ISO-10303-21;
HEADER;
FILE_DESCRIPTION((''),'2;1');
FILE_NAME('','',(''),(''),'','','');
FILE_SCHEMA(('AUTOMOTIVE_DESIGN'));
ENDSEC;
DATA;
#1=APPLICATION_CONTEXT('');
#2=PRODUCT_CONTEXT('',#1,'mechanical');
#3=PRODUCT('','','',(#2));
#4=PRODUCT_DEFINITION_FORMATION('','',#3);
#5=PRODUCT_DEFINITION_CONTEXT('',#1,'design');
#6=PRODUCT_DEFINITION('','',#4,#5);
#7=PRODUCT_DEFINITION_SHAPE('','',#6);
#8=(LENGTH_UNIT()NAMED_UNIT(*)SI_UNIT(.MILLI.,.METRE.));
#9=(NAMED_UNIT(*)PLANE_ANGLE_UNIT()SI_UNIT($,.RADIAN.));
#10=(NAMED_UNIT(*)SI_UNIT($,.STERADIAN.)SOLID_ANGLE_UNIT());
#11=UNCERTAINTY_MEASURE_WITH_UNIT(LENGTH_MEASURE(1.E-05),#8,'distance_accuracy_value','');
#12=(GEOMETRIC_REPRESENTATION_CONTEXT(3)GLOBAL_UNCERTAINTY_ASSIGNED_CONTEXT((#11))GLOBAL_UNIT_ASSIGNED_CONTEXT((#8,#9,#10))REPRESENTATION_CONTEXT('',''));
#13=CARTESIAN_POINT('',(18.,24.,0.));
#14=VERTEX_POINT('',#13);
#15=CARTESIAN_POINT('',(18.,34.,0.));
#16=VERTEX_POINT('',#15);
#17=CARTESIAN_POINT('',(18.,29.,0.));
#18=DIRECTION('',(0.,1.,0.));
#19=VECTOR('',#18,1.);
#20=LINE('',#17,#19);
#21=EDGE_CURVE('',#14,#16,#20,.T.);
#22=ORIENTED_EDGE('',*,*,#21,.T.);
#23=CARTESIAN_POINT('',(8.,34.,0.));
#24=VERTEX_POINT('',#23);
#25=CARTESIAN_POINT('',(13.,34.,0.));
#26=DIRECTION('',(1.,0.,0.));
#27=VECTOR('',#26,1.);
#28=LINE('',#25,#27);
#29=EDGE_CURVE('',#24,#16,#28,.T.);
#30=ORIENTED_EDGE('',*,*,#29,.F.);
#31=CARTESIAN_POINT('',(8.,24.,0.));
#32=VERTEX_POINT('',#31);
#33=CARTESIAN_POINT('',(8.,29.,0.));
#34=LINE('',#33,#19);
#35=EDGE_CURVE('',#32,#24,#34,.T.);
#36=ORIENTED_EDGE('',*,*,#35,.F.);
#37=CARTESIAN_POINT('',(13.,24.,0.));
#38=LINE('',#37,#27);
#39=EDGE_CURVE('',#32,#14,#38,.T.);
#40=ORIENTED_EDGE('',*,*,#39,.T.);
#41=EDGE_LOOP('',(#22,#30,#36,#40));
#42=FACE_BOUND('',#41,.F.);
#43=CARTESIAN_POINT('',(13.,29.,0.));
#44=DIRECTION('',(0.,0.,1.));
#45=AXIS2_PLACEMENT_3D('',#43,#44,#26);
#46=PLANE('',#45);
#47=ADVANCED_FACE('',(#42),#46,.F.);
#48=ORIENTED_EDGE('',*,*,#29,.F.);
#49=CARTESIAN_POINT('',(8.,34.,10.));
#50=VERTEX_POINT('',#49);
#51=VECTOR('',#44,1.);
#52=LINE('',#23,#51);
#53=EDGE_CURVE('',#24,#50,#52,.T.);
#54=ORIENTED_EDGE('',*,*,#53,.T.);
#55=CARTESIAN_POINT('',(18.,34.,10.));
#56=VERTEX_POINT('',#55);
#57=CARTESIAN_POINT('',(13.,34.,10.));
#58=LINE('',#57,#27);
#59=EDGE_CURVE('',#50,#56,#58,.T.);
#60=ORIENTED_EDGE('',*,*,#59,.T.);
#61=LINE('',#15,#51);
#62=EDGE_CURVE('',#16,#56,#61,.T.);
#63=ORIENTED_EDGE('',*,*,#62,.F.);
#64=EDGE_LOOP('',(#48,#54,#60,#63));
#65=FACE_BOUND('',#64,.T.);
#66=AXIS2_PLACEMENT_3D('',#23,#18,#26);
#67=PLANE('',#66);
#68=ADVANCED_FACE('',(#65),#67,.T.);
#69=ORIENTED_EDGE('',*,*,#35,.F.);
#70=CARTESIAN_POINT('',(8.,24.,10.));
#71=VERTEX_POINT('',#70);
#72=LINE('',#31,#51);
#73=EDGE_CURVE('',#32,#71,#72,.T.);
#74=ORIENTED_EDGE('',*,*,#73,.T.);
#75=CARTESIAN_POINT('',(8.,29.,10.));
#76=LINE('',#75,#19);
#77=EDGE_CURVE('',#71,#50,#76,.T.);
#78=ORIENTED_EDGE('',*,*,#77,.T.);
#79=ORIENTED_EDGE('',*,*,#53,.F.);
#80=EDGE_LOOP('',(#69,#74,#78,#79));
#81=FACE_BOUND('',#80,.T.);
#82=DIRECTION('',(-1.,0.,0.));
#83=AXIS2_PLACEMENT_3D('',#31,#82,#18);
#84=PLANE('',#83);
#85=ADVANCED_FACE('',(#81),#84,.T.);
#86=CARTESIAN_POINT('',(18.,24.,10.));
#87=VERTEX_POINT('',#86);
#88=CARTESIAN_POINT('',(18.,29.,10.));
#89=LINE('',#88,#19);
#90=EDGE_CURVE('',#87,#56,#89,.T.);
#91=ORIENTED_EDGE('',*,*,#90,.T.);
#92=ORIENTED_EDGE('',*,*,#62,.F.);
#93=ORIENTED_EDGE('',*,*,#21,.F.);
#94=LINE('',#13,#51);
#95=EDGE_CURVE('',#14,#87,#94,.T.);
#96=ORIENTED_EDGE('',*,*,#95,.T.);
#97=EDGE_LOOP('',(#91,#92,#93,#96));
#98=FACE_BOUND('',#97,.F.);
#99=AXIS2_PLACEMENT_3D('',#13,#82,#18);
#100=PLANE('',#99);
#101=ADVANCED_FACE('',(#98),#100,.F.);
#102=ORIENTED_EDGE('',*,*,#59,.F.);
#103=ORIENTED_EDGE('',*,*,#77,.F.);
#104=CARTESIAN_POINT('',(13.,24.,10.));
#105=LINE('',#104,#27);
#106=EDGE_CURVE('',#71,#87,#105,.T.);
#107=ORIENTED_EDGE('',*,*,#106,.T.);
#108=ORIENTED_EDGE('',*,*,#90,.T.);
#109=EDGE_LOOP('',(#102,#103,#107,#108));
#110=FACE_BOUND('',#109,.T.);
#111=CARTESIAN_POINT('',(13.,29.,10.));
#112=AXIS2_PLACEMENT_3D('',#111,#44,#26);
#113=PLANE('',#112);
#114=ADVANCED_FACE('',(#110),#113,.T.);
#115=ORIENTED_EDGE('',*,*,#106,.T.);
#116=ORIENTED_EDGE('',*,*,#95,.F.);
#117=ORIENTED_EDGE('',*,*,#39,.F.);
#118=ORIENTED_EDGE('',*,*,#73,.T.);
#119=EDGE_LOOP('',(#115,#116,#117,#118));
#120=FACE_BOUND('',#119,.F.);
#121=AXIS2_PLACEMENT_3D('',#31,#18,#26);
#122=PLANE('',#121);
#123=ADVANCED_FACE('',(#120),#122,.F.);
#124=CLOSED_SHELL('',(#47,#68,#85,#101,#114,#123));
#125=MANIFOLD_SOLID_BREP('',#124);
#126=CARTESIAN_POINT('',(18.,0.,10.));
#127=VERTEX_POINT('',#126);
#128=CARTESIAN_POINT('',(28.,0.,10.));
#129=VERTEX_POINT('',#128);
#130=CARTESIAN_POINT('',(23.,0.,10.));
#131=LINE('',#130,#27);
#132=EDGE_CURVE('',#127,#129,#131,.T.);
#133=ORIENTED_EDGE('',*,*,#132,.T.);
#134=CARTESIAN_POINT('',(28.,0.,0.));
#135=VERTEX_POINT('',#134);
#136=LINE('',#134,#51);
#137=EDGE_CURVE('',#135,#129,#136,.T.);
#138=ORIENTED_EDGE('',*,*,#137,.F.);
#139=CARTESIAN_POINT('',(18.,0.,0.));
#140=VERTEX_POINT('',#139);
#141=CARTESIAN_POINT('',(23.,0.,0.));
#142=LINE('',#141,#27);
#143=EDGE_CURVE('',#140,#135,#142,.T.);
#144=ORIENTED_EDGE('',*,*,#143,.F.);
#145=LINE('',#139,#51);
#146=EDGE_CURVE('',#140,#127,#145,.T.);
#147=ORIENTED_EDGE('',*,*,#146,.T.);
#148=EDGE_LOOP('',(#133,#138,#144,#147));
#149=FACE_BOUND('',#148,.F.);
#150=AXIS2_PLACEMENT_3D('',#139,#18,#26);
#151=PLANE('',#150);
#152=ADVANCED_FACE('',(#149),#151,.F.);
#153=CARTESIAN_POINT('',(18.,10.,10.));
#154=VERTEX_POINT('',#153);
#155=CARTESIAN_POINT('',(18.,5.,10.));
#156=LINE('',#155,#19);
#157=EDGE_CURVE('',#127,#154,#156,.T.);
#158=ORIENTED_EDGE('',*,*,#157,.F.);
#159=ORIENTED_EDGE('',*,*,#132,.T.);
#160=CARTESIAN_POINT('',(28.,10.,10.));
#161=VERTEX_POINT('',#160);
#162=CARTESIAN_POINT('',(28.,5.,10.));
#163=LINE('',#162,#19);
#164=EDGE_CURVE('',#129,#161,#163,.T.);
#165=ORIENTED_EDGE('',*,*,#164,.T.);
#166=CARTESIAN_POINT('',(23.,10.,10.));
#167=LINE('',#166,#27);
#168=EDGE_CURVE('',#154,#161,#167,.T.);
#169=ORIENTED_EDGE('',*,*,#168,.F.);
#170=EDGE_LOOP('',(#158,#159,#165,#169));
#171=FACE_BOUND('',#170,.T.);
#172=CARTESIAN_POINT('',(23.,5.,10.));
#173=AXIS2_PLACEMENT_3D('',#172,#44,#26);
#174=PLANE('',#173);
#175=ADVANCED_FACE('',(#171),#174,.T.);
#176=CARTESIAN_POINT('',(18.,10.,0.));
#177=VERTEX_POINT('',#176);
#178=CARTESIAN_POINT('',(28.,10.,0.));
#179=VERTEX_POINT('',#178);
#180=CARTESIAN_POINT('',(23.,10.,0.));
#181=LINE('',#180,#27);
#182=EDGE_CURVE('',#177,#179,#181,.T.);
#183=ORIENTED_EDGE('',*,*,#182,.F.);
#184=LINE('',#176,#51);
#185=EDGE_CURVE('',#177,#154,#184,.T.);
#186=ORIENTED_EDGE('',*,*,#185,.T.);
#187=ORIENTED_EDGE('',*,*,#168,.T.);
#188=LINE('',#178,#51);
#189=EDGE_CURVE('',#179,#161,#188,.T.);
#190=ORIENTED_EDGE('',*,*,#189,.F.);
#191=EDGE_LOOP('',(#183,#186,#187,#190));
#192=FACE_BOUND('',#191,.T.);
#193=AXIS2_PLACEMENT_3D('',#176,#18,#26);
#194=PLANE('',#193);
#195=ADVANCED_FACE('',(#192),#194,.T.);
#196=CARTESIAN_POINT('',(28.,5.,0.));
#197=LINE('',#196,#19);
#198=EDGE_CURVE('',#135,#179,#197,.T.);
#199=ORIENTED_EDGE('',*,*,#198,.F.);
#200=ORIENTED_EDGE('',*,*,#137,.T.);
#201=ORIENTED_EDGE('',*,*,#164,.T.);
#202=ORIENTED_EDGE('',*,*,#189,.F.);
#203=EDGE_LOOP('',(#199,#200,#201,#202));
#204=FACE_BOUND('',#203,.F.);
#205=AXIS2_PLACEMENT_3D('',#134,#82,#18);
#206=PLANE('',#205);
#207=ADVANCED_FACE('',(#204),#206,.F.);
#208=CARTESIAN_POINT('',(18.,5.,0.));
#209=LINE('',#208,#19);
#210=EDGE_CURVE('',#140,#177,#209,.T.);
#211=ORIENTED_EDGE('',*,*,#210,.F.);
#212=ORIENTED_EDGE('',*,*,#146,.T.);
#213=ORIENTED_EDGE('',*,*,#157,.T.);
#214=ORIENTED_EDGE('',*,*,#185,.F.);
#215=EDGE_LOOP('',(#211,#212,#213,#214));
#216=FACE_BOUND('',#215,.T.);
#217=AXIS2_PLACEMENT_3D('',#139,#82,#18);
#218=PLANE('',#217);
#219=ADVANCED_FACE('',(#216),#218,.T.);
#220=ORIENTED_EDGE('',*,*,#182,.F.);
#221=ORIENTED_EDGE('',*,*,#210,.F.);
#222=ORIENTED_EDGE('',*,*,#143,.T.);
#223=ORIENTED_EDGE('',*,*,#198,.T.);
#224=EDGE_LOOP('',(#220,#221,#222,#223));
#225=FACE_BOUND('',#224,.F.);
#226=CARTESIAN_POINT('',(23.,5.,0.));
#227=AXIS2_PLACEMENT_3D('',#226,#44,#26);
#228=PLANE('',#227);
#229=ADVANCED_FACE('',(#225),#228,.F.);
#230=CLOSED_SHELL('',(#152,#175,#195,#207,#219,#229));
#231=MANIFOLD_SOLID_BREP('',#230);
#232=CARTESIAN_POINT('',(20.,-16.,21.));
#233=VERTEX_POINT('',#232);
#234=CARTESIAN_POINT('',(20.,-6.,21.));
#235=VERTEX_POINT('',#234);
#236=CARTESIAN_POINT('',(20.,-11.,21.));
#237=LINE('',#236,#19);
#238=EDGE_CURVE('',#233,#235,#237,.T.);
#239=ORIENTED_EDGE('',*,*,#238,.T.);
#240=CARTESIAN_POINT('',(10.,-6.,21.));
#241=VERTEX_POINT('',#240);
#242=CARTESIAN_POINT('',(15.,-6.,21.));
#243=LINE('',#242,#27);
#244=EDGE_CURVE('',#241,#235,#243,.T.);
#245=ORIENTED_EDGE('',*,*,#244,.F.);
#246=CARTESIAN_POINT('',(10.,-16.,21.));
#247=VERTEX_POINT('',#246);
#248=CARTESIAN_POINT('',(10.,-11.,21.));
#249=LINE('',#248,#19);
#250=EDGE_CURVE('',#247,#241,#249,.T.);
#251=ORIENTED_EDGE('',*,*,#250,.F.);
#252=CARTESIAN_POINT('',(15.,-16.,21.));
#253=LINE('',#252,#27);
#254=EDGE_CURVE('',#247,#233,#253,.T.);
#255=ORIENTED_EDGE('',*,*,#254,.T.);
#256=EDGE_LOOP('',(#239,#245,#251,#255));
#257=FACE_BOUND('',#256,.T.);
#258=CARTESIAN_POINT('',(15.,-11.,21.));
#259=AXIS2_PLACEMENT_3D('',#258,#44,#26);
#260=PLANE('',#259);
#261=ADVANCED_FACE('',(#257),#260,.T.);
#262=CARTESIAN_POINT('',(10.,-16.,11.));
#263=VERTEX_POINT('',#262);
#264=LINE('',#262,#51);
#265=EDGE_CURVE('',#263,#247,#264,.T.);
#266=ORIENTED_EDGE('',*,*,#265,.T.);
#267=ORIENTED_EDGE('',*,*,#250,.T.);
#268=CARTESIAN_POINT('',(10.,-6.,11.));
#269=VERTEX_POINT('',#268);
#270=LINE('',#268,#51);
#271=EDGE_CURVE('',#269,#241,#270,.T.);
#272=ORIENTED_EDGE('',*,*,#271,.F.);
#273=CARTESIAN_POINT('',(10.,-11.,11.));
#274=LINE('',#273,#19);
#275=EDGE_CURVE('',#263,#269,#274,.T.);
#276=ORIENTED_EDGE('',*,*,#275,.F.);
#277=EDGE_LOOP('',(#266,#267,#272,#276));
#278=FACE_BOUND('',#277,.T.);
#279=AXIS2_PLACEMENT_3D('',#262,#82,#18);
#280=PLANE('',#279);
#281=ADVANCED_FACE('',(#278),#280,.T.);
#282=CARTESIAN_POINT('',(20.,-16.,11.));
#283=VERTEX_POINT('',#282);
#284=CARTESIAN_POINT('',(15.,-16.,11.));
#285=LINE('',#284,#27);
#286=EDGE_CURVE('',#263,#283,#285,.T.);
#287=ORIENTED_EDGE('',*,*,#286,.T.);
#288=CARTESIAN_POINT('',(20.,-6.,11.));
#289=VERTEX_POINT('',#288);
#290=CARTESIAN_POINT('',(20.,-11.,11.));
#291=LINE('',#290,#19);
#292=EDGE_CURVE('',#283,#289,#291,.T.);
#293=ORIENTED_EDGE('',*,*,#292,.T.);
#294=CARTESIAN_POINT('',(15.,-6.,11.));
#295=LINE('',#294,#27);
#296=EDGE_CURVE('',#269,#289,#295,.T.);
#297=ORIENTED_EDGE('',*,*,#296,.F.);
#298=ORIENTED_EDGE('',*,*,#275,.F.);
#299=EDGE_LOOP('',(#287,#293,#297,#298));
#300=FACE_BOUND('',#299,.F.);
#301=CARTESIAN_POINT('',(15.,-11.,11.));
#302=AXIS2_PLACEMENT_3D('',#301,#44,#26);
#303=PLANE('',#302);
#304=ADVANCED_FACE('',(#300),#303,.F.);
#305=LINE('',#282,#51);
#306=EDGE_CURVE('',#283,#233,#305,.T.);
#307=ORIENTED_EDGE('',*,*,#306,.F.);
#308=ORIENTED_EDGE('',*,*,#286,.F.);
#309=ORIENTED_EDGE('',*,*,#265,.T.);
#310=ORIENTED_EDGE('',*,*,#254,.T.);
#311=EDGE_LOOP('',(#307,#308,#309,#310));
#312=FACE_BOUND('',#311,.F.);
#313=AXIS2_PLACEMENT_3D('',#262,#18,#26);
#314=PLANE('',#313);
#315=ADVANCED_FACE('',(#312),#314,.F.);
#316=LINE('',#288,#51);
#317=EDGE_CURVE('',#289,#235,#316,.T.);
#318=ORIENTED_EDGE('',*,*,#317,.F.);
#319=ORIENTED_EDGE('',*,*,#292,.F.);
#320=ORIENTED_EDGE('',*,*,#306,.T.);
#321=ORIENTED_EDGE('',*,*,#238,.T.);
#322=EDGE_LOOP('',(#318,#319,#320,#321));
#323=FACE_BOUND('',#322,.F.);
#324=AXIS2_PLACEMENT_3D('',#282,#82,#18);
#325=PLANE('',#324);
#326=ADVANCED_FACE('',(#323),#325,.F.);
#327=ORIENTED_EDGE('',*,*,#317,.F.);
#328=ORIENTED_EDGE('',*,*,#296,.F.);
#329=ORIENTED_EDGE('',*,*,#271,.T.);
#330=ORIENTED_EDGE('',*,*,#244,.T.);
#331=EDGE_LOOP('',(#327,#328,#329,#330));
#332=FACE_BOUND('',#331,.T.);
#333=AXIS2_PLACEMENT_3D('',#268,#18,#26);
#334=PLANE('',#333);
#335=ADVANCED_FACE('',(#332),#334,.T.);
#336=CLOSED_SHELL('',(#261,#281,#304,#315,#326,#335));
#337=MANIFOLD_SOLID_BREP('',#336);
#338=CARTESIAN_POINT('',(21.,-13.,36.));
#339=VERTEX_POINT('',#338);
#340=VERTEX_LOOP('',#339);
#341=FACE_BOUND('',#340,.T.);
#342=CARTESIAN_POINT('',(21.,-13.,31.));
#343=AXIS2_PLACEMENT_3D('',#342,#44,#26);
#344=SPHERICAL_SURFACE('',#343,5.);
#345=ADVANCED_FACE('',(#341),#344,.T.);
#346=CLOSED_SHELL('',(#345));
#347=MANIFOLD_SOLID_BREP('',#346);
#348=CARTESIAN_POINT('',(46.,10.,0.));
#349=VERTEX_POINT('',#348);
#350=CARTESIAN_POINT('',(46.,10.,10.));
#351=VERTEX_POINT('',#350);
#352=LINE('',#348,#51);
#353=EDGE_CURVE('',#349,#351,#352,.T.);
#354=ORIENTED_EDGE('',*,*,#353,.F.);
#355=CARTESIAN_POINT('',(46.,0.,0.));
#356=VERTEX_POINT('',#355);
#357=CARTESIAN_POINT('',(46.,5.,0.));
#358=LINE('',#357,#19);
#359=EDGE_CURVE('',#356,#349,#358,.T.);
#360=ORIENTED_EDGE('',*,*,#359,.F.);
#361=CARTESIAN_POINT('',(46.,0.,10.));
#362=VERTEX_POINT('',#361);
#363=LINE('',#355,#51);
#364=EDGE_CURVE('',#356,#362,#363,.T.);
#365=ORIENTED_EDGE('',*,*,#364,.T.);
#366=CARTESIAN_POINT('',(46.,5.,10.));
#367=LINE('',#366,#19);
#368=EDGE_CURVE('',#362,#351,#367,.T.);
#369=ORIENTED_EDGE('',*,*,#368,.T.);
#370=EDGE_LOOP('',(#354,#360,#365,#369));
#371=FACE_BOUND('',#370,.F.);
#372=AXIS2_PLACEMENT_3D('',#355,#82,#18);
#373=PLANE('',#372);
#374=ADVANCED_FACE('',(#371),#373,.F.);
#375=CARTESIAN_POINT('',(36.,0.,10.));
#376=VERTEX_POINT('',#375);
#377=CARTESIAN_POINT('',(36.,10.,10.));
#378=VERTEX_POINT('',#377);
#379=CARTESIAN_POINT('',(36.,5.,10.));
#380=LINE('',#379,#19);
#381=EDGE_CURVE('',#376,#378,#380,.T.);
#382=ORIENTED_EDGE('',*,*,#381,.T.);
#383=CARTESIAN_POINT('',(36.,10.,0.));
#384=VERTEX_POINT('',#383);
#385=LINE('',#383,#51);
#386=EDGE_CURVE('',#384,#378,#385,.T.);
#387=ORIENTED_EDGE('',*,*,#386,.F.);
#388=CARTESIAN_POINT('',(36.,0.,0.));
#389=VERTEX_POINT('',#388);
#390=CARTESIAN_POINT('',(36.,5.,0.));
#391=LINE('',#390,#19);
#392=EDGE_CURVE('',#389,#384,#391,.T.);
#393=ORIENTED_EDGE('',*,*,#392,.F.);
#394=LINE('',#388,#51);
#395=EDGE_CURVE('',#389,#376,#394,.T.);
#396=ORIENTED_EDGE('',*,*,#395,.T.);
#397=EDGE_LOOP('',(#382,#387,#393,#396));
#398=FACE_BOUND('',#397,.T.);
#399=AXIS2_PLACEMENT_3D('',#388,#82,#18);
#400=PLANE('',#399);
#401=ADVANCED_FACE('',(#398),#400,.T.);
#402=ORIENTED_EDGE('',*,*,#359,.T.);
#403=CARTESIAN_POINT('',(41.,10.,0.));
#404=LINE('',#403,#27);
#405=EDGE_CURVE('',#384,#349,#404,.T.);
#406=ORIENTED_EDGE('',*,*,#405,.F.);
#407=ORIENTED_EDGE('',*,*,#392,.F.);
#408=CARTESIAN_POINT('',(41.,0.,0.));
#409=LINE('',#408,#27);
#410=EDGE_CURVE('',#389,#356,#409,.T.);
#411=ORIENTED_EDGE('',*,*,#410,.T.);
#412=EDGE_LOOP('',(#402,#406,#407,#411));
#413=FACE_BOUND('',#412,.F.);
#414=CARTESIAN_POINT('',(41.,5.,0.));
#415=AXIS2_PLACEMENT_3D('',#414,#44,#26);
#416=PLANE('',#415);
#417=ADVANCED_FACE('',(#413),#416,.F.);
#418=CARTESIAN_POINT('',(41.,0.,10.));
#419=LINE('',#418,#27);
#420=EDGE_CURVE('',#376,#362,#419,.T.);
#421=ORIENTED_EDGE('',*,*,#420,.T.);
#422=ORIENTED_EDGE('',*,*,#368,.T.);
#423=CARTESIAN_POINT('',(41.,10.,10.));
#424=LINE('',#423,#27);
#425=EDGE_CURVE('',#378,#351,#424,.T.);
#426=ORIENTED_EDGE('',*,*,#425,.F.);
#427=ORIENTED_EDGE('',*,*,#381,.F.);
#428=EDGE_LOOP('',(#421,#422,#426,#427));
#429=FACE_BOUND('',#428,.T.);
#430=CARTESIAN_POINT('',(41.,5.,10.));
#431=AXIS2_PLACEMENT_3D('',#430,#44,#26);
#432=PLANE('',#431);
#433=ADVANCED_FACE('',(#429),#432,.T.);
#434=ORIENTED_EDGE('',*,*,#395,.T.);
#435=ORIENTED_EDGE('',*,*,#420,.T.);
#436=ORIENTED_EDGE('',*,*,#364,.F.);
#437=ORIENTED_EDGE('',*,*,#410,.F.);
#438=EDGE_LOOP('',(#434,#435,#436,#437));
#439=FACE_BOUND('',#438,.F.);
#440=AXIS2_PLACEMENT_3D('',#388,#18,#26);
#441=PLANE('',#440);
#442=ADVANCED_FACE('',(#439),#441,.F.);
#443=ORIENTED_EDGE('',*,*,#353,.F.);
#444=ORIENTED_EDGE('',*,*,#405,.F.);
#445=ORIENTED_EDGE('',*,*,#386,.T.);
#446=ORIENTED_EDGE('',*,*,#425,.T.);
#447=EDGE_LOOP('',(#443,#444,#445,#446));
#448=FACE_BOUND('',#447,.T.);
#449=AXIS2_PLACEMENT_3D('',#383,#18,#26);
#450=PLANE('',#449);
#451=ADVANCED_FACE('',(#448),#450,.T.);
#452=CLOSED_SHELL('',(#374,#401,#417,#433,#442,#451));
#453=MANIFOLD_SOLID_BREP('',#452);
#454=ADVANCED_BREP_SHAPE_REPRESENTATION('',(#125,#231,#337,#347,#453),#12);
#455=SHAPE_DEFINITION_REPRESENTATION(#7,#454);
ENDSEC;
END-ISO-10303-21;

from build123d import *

# Parameters (mm, degrees)
BOX_W        = 10
BOX_H        = 10
BOX_DEPTH    = 10
BOX001_W     = 10
BOX001_H     = 10
BOX001_DEPTH = 10
BOX002_W     = 10
BOX002_H     = 10
BOX002_DEPTH = 10
BOX003_W     = 10
BOX003_H     = 10
BOX003_DEPTH = 10


with BuildPart() as cube:
    # Box → Box (new body)
    with BuildSketch(Plane(origin=(8, 24, 0), x_dir=(1, 0, 0), z_dir=(0, 0, 1))):
        with Locations((5, 5)):
            Rectangle(BOX_W, BOX_H)
    extrude(amount=BOX_DEPTH)


with BuildPart() as cube001:
    # Box001 → Box001 (new body)
    with BuildSketch(Plane(origin=(18, 0, 0), x_dir=(1, 0, 0), z_dir=(0, 0, 1))):
        with Locations((5, 5)):
            Rectangle(BOX001_W, BOX001_H)
    extrude(amount=BOX001_DEPTH)


with BuildPart() as cube002:
    # Box002 → Box002 (new body)
    with BuildSketch(Plane(origin=(36, 0, 0), x_dir=(1, 0, 0), z_dir=(0, 0, 1))):
        with Locations((5, 5)):
            Rectangle(BOX002_W, BOX002_H)
    extrude(amount=BOX002_DEPTH)


with BuildPart() as cube003:
    # Box003 → Box003 (new body)
    with BuildSketch(Plane(origin=(10, -16, 11), x_dir=(1, 0, 0), z_dir=(0, 0, 1))):
        with Locations((5, 5)):
            Rectangle(BOX003_W, BOX003_H)
    extrude(amount=BOX003_DEPTH)


with BuildPart() as sphere:
    # Sphere → Sphere (revolve)
    with BuildSketch(Plane(origin=(21, -13, 31), x_dir=(1, 0, 0), z_dir=(0, -1, 0))):
        with BuildLine():
            ThreePointArc((0, -5), (5, 0), (0, 5))
            Line((0, 5), (0, -5))
        make_face()
    revolve(axis=Axis((21, -13, 31), (0, 0, 1)))


solid = Compound([cube.part, cube001.part, cube002.part, cube003.part, sphere.part])
